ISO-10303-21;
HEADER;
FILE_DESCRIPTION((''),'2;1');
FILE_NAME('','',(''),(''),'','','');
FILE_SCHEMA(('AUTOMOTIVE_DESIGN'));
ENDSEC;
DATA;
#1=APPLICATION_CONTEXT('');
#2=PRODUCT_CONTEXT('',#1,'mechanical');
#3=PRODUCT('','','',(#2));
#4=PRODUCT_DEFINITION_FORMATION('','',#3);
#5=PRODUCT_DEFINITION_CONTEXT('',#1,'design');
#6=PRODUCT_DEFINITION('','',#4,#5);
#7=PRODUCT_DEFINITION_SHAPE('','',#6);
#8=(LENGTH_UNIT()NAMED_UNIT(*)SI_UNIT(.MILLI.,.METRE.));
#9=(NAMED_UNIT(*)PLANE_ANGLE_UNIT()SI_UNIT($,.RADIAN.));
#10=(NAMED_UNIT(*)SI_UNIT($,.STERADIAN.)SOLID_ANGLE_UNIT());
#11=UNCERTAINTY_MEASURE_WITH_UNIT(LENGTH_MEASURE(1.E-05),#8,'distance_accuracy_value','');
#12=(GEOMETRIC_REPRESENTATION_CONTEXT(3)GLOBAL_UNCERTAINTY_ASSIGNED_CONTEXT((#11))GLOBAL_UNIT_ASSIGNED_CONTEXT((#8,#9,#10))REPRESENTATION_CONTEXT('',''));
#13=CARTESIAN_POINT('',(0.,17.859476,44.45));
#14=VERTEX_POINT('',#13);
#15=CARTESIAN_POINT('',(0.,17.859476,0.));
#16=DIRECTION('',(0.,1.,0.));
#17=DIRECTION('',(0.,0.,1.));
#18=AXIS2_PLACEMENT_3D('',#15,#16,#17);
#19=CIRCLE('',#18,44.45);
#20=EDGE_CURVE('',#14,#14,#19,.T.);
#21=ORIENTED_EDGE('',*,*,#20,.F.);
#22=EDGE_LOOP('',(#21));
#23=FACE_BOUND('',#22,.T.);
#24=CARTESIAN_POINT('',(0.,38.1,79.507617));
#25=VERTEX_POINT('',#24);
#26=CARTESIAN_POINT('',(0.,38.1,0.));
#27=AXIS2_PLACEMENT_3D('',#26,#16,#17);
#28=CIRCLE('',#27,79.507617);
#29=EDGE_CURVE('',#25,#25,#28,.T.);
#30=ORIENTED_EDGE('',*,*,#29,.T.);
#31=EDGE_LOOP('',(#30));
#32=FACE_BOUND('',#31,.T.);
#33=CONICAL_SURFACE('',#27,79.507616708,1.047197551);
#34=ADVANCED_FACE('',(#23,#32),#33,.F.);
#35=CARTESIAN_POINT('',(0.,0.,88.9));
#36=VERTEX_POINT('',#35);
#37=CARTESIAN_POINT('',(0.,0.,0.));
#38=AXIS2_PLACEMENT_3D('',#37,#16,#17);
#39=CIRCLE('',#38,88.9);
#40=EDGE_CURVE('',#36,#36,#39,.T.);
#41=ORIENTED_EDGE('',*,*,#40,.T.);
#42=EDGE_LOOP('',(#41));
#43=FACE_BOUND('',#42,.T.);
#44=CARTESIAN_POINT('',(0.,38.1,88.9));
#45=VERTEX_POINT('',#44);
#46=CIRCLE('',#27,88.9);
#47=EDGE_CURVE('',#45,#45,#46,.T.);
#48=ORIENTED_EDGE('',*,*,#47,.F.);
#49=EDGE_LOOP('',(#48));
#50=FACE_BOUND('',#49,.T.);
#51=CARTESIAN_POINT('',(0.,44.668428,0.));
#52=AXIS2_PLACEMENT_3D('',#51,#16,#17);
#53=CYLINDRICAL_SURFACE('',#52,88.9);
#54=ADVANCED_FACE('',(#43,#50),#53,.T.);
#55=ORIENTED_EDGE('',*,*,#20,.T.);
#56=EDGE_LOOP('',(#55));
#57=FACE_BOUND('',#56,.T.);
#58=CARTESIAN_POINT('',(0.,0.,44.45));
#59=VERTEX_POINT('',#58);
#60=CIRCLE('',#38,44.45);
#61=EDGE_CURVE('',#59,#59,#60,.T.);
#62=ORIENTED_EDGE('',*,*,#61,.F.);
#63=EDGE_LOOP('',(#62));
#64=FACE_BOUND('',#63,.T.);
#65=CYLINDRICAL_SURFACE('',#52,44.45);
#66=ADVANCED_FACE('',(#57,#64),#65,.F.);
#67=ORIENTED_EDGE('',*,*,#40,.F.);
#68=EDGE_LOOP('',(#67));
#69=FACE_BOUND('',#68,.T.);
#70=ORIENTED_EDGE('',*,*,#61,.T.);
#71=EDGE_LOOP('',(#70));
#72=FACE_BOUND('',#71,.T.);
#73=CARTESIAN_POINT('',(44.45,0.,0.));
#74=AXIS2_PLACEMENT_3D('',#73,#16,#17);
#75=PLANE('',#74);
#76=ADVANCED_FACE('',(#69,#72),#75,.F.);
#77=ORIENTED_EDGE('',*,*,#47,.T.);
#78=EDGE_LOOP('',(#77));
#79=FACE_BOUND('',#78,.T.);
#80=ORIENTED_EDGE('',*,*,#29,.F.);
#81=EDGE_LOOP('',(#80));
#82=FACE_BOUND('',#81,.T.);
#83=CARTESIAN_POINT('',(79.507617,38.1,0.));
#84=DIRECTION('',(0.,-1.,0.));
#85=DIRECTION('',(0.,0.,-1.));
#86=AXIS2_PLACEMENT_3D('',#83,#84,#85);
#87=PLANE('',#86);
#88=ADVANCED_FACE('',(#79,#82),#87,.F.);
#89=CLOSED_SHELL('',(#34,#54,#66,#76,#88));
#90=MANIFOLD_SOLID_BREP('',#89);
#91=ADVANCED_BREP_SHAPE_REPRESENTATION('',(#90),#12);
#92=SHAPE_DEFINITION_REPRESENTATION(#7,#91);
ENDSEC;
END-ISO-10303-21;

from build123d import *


with BuildPart() as part:
    # Sketch2 → Revolve1 (revolve)
    with BuildSketch(Plane.XY):
        Polygon((79.507616708, 38.1), (88.9, 38.1), (88.9, 0), (44.45, 0), (44.45, 17.859475557), align=None)
    revolve(axis=Axis((0, 44.668427518, 0), (0, -1, 0)))


solid = part.part
